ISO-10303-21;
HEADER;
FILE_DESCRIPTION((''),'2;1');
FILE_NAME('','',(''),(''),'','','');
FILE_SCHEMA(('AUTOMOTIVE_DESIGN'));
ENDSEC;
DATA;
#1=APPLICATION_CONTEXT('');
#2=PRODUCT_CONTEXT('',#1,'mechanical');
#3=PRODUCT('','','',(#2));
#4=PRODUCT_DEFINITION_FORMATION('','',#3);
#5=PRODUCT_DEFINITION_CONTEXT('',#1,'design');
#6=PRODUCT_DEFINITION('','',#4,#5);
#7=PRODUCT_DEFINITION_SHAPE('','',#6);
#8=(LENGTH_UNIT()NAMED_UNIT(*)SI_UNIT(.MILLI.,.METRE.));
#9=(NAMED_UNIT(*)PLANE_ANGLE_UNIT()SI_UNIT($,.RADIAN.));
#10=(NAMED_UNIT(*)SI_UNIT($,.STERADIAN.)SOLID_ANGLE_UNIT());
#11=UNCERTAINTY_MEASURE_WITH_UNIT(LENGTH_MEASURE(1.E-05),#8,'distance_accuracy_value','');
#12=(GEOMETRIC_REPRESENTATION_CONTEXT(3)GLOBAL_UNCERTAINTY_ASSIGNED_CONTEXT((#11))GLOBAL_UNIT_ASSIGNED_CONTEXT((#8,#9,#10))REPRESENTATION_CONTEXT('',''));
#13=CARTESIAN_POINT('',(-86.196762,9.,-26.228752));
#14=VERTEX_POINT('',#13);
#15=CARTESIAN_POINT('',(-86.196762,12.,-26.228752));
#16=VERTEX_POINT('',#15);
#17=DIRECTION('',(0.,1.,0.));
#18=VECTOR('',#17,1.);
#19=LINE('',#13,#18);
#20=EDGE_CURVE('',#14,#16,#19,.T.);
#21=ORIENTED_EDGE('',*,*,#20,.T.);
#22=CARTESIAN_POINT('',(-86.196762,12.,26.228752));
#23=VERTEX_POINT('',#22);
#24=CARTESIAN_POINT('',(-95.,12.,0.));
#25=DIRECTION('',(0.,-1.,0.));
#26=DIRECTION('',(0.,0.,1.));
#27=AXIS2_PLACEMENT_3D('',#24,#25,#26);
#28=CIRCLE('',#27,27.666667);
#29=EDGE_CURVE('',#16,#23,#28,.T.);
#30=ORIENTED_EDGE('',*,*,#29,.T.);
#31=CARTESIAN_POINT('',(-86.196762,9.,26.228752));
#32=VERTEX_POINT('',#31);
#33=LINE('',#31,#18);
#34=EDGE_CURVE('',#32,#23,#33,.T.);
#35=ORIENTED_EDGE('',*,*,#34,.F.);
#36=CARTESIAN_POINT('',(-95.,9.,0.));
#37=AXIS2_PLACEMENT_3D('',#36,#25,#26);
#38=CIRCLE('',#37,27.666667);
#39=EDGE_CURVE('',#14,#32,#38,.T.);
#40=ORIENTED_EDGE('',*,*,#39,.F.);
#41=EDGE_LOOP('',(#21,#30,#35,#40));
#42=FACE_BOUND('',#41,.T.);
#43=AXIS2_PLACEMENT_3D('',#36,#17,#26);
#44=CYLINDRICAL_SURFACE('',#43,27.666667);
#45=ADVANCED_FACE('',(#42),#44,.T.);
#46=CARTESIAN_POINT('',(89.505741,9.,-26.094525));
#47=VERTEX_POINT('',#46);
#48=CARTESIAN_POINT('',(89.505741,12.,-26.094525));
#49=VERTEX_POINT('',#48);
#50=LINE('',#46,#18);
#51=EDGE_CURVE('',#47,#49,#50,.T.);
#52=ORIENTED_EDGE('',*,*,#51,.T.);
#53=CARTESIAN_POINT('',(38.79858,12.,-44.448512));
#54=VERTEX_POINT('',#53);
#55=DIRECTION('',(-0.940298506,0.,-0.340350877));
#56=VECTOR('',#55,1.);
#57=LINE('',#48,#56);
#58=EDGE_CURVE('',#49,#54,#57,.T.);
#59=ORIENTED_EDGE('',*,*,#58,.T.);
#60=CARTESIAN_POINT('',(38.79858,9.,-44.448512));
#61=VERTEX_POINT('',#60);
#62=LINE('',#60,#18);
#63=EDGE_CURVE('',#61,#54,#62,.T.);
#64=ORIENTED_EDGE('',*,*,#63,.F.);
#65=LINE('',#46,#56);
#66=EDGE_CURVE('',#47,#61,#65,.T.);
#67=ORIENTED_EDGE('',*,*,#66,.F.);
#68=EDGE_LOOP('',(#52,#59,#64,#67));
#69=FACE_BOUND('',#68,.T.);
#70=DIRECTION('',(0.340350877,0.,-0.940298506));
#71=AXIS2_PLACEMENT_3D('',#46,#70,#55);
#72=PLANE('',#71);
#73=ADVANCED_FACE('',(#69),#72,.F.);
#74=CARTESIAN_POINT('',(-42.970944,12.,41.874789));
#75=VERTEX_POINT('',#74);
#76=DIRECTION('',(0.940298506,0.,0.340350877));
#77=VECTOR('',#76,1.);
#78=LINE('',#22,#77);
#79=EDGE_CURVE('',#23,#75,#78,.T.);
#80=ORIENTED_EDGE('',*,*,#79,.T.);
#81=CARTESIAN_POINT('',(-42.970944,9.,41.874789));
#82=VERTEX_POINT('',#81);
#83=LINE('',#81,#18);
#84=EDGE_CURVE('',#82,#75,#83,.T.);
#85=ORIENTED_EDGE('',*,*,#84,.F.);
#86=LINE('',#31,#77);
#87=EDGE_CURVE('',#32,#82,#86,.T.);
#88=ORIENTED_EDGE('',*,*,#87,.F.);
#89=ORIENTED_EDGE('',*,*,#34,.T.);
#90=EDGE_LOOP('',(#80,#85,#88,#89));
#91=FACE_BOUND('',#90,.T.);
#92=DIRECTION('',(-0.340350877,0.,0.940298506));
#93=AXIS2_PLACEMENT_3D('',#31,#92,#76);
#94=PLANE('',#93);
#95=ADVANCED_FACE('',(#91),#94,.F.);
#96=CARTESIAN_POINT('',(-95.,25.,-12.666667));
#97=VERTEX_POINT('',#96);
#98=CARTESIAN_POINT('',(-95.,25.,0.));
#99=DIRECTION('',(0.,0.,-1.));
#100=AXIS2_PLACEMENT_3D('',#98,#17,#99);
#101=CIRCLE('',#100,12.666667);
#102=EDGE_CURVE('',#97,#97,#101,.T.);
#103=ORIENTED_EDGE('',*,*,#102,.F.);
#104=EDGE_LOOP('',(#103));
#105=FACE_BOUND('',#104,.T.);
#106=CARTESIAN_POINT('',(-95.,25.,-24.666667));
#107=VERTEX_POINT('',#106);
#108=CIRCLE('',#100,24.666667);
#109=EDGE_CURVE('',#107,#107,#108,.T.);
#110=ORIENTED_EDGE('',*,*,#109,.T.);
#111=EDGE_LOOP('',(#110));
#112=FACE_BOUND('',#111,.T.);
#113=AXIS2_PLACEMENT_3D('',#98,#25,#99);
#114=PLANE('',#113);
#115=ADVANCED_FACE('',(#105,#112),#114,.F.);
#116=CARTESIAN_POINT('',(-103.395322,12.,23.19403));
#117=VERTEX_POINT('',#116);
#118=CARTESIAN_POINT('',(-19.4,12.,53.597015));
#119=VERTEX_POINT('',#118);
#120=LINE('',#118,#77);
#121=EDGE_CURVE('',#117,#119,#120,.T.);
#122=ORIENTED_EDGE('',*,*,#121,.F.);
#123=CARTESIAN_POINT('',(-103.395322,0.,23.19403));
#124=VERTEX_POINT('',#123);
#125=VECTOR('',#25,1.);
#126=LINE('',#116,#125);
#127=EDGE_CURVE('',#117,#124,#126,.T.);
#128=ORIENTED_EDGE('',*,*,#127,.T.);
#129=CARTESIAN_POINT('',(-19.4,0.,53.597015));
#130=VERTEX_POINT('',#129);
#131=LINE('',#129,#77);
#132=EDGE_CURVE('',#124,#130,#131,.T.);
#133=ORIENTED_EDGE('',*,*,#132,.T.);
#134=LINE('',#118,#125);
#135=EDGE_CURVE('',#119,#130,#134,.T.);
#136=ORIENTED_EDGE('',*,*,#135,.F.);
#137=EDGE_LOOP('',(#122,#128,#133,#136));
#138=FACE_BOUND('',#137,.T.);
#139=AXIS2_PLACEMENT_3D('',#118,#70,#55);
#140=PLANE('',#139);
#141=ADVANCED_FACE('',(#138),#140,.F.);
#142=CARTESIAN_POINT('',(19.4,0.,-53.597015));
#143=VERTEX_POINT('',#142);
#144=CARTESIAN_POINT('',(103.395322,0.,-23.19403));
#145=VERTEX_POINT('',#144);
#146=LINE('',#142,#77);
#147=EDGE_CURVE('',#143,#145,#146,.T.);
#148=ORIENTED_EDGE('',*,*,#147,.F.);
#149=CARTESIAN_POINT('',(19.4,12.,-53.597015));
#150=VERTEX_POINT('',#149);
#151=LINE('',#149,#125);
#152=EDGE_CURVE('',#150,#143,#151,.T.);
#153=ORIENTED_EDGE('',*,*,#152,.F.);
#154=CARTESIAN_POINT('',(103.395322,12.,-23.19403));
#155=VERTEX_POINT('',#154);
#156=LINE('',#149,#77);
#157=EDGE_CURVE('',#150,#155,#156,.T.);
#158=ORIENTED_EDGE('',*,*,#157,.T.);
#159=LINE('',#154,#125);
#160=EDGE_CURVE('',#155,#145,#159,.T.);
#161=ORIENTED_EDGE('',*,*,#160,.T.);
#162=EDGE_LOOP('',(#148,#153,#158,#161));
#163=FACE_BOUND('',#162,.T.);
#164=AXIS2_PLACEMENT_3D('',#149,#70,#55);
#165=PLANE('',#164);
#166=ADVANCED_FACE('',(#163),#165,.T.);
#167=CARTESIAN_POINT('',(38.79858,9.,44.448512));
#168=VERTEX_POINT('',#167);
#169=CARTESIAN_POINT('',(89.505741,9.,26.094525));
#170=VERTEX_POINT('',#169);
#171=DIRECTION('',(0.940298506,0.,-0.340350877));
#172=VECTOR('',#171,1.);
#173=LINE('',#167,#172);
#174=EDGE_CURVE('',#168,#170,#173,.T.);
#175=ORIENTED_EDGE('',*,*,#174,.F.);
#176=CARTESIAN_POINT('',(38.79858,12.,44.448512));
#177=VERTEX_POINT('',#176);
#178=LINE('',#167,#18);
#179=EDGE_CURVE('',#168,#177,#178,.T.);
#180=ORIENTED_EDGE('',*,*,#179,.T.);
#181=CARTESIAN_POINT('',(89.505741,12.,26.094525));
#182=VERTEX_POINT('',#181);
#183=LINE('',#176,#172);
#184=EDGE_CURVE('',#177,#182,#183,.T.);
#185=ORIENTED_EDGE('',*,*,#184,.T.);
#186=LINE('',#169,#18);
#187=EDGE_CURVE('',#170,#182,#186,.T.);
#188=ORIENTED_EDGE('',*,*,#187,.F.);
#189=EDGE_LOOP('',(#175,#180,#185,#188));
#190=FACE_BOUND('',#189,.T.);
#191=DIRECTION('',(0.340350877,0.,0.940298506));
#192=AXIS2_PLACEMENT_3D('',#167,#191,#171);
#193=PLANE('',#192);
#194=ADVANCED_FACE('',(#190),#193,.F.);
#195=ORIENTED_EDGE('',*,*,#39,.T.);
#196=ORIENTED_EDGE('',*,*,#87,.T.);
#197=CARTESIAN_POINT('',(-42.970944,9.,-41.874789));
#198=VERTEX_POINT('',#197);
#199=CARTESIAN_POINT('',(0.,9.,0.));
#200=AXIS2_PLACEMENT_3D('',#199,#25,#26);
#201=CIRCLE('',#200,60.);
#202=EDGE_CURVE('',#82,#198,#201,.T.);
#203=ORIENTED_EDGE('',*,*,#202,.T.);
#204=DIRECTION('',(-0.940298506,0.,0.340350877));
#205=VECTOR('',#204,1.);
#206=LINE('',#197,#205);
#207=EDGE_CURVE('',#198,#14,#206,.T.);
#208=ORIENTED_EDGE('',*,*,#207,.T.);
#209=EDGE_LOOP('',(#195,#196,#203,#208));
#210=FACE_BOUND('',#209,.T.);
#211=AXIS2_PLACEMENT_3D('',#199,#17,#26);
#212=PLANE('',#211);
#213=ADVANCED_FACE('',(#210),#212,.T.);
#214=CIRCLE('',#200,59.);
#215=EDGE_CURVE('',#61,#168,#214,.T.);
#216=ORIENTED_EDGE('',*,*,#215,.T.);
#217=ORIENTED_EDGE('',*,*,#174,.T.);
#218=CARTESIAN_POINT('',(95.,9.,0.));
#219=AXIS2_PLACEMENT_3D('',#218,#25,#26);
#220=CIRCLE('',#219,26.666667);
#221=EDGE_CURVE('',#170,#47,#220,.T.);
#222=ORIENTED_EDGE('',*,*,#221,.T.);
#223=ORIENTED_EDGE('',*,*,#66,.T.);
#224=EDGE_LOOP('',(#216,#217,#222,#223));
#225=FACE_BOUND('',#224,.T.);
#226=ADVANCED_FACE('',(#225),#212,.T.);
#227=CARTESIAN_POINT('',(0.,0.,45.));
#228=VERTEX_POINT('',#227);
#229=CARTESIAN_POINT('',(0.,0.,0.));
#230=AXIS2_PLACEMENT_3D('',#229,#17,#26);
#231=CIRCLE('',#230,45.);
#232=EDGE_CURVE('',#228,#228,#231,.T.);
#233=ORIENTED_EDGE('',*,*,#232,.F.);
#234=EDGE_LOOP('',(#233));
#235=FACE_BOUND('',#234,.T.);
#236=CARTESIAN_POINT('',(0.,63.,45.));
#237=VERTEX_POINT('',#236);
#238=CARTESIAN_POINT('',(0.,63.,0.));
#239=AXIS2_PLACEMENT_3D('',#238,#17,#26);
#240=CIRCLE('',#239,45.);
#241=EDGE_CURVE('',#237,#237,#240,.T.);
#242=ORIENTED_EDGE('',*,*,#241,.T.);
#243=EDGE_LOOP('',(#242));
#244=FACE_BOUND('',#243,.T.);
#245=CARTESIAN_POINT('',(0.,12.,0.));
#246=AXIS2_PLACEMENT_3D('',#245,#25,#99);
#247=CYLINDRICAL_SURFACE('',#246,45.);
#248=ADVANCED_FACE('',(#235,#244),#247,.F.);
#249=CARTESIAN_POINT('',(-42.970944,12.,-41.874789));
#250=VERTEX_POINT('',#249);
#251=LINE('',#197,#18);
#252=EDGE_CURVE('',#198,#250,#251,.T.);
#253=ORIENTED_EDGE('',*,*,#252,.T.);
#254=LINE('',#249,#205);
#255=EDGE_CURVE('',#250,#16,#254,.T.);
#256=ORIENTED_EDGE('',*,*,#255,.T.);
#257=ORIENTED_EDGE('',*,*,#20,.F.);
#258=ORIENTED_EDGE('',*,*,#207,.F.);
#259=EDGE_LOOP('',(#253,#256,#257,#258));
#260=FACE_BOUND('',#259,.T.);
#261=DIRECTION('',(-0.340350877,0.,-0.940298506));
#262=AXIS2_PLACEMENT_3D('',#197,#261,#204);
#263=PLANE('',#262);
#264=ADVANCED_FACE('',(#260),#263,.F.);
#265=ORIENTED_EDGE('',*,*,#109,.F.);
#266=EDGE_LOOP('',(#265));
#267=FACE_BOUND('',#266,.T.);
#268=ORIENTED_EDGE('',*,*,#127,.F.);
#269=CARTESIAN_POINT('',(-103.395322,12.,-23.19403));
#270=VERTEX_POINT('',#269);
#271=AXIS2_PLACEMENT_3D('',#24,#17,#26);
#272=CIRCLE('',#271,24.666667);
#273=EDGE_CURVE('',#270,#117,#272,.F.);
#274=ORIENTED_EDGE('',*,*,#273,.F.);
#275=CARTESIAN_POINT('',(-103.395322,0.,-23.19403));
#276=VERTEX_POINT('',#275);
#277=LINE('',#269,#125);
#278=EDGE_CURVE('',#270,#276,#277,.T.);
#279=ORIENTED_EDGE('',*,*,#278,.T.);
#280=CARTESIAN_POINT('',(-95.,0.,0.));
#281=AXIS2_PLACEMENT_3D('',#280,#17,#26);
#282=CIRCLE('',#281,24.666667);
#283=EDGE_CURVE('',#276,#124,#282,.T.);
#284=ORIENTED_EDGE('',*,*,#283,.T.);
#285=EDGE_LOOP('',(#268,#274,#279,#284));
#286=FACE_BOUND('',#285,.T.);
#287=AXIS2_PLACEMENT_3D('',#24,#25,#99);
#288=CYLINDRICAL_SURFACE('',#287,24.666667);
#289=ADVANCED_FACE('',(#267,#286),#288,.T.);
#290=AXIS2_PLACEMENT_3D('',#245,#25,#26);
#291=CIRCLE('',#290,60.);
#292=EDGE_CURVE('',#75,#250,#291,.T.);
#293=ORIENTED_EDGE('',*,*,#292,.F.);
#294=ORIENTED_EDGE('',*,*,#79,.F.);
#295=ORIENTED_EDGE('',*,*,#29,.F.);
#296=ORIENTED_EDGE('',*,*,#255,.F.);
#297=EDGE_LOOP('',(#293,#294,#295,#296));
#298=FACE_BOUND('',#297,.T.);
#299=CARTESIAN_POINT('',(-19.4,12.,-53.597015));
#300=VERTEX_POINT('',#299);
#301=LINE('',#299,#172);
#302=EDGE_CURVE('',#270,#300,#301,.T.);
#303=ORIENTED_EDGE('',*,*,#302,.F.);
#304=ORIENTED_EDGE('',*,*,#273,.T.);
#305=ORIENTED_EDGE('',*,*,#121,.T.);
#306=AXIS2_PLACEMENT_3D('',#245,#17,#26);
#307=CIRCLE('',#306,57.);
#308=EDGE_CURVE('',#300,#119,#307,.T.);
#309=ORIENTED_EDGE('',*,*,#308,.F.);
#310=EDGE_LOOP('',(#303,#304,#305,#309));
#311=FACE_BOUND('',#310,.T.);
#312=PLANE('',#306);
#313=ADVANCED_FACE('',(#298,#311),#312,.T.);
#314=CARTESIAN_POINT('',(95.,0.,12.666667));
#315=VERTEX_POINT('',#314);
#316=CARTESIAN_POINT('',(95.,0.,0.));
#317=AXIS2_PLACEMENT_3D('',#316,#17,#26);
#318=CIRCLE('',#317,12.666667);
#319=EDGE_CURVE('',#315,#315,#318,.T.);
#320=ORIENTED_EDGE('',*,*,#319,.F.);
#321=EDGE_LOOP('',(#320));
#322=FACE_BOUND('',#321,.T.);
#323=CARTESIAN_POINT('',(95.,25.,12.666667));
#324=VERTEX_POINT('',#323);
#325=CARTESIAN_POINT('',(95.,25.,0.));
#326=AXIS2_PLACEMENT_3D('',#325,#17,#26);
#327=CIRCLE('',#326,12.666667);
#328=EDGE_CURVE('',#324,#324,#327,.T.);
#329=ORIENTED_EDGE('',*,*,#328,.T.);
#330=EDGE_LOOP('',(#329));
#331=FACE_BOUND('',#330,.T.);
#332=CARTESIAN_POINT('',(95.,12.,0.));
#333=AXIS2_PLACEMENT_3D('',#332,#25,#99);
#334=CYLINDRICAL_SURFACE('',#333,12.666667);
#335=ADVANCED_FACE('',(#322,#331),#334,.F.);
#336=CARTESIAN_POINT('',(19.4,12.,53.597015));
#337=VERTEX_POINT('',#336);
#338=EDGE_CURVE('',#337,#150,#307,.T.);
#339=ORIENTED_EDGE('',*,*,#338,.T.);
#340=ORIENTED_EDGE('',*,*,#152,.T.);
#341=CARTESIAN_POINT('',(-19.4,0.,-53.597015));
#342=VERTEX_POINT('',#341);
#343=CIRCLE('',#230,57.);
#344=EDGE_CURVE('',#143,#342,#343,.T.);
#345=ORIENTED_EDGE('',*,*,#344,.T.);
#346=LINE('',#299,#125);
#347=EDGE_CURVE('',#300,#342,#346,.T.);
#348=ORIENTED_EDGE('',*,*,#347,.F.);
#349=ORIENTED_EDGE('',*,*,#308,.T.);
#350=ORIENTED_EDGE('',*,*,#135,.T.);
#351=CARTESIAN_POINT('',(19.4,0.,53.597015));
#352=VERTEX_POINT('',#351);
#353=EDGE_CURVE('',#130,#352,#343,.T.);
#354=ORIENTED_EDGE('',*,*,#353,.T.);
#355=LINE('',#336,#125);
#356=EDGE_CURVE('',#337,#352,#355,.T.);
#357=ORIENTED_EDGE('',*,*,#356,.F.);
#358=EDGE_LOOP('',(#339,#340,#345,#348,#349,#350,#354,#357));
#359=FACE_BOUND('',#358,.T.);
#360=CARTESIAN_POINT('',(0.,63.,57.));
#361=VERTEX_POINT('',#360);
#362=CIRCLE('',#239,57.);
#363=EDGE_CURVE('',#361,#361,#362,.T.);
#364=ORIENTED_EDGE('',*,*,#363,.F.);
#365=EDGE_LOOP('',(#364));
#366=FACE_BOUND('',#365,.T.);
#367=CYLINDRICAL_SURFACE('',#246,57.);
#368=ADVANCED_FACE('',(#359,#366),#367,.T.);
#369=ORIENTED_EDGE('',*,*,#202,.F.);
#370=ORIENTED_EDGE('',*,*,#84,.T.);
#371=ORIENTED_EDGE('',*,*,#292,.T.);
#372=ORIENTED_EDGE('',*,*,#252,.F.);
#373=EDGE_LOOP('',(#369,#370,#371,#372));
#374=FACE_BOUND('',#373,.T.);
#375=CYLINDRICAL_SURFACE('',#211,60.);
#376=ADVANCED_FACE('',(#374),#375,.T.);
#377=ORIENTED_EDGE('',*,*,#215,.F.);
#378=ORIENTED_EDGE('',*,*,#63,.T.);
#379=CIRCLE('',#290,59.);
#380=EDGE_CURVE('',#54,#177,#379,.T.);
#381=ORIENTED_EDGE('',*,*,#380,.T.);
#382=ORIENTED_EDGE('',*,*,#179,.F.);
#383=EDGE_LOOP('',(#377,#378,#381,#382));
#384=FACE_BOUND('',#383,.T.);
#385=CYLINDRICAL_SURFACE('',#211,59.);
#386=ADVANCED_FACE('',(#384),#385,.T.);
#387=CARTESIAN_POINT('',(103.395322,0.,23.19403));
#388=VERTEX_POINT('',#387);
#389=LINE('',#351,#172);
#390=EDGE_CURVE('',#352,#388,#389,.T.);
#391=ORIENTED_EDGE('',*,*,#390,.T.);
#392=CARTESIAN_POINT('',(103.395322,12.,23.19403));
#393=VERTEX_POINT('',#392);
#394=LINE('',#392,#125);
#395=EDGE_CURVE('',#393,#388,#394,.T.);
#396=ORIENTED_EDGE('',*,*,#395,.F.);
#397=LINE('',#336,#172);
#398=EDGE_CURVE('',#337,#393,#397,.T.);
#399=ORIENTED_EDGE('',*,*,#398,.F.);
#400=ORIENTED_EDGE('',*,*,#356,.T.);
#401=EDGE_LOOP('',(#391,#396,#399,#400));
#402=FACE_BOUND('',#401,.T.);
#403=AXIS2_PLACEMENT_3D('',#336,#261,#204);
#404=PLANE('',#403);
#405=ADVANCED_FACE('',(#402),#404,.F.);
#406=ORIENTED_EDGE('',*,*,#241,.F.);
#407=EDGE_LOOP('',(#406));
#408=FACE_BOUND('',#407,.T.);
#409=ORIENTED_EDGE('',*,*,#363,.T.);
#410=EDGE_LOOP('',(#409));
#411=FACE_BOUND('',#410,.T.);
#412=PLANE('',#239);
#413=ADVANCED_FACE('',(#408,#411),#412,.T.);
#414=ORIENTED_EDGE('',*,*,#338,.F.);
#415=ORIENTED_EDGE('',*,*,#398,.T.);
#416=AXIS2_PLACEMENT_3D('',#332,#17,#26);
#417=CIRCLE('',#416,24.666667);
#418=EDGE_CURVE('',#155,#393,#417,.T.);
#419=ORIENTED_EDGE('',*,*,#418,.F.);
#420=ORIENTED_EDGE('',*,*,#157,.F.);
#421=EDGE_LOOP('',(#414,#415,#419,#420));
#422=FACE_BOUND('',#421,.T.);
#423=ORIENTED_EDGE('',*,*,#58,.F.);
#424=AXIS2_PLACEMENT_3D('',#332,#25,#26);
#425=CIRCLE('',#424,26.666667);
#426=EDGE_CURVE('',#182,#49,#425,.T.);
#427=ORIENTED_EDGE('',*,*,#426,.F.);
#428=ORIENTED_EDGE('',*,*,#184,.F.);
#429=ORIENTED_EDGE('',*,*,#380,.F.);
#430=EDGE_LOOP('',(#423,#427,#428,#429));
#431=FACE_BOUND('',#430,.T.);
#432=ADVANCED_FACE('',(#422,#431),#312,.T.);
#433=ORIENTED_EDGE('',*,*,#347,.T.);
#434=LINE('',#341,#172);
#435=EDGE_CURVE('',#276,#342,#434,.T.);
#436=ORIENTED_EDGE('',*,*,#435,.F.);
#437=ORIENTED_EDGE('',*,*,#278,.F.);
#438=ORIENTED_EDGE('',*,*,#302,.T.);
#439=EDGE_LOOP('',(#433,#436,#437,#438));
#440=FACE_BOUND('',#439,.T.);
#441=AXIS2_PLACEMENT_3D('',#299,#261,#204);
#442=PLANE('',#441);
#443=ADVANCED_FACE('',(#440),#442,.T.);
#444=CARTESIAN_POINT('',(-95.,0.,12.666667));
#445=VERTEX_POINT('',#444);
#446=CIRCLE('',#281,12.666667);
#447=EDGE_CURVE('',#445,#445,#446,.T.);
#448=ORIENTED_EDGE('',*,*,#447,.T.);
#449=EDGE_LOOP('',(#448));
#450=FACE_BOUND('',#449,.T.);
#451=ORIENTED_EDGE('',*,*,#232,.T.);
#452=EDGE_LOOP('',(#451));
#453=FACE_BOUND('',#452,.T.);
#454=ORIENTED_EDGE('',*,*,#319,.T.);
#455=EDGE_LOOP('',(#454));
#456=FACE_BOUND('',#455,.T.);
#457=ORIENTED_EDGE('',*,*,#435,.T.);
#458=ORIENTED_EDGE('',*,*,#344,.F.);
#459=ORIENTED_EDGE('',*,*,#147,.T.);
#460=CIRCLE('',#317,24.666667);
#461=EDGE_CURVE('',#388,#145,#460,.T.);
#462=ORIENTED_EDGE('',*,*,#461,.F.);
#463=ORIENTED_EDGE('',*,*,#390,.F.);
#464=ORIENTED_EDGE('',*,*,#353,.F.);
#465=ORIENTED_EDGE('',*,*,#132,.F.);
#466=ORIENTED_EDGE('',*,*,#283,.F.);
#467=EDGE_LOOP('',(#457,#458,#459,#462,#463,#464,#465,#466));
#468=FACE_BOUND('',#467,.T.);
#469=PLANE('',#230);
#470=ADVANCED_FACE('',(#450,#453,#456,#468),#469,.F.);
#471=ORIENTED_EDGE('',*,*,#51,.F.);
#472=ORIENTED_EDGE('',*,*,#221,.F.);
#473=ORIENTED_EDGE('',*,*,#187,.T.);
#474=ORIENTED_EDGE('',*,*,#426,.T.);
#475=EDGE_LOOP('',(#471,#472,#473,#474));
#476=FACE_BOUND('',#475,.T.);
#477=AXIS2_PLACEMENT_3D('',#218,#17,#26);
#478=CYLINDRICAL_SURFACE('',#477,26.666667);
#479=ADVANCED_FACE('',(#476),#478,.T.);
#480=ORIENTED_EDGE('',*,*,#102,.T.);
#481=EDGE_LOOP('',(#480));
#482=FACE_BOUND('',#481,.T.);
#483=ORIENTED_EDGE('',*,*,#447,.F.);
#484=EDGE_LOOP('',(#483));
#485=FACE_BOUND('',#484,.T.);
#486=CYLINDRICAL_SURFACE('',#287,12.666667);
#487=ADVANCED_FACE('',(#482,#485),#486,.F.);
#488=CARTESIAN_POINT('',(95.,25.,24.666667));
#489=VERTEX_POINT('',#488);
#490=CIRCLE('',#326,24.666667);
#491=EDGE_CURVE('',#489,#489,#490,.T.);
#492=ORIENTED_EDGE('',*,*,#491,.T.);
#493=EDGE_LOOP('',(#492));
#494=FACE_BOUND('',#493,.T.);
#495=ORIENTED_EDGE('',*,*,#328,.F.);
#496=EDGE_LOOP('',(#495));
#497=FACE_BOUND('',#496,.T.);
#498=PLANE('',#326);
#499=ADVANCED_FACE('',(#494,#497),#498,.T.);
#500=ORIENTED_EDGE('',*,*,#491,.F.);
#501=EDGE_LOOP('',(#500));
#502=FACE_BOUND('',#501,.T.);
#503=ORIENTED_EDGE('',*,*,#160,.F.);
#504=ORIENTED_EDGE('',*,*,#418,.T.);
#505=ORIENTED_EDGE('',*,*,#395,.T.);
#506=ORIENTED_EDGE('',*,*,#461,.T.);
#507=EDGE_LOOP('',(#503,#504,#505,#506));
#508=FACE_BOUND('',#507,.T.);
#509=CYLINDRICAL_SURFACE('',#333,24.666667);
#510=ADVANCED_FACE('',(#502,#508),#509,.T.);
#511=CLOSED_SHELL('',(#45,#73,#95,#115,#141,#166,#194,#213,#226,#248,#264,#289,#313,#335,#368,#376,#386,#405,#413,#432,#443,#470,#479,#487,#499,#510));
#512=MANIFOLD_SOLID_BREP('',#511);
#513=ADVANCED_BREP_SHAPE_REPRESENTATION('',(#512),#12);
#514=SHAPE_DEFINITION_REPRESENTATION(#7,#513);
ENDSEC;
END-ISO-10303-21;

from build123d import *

# Parameters (mm, degrees)
SKETCH1_R           = 12.666666667
SKETCH1_R_2         = 45
BOSS_EXTRUDE1_DEPTH = 12
SKETCH2_R           = 57
SKETCH2_R_2         = 45
BOSS_EXTRUDE2_DEPTH = 51
SKETCH3_R           = 24.666666667
SKETCH3_R_2         = 12.666666667
BOSS_EXTRUDE3_DEPTH = 13
CUT_EXTRUDE1_DEPTH  = 3


with BuildPart() as part:
    # Sketch1 → Boss-Extrude1 (new body)
    with BuildSketch(Plane(origin=(0, 0, 0), x_dir=(1, 0, 0), z_dir=(0, 1, 0))):
        with BuildLine():
            Line((-19.4, 53.597014842), (-103.395321637, 23.194029815))
            ThreePointArc((-103.395321637, 23.194029815), (-119.666666667, 0), (-103.395321637, -23.194029815))
            Line((-103.395321637, -23.194029815), (-19.4, -53.597014842))
            ThreePointArc((-19.4, -53.597014842), (0, -57), (19.4, -53.597014842))
            Line((19.4, -53.597014842), (103.395321637, -23.194029815))
            ThreePointArc((103.395321637, -23.194029815), (119.666666667, 0), (103.395321637, 23.194029815))
            Line((103.395321637, 23.194029815), (19.4, 53.597014842))
            ThreePointArc((19.4, 53.597014842), (0, 57), (-19.4, 53.597014842))
        make_face()
        with Locations((-95, 0)):
            Circle(SKETCH1_R, mode=Mode.SUBTRACT)
        Circle(SKETCH1_R_2, mode=Mode.SUBTRACT)
        with Locations((95, 0)):
            Circle(SKETCH1_R, mode=Mode.SUBTRACT)
    extrude(amount=BOSS_EXTRUDE1_DEPTH)

    # Sketch2 → Boss-Extrude2 (add)
    with BuildSketch(Plane(origin=(0, 12, 0), x_dir=(1, 0, 0), z_dir=(0, 1, 0))):
        Circle(SKETCH2_R)
        Circle(SKETCH2_R_2, mode=Mode.SUBTRACT)
    extrude(amount=BOSS_EXTRUDE2_DEPTH)

    # Sketch3 → Boss-Extrude3 (add)
    with BuildSketch(Plane(origin=(0, 12, 0), x_dir=(1, 0, 0), z_dir=(0, 1, 0))):
        with Locations((95, 0)):
            Circle(SKETCH3_R)
        with Locations((95, 0)):
            Circle(SKETCH3_R_2, mode=Mode.SUBTRACT)
        with Locations((-95, 0)):
            Circle(SKETCH3_R)
        with Locations((-95, 0)):
            Circle(SKETCH3_R_2, mode=Mode.SUBTRACT)
    extrude(amount=BOSS_EXTRUDE3_DEPTH)

    # Sketch4 → Cut-Extrude1 (cut)
    with BuildSketch(Plane(origin=(0, 12, 0), x_dir=(1, 0, 0), z_dir=(0, 1, 0))):
        with BuildLine():
            Line((-42.970944355, 41.87478885), (-86.196761812, 26.228752198))
            ThreePointArc((-86.196761812, 26.228752198), (-67.333333333, 0), (-86.196761812, -26.228752198))
            Line((-86.196761812, -26.228752198), (-42.970944355, -41.87478885))
            ThreePointArc((-42.970944355, -41.87478885), (-60, 0), (-42.970944355, 41.87478885))
        make_face()
        with BuildLine():
            Line((38.798579703, -44.448511932), (89.505740572, -26.094524798))
            ThreePointArc((89.505740572, -26.094524798), (68.333333333, 0), (89.505740572, 26.094524798))
            Line((89.505740572, 26.094524798), (38.798579703, 44.448511932))
            ThreePointArc((38.798579703, 44.448511932), (59, 0), (38.798579703, -44.448511932))
        make_face()
    extrude(amount=-CUT_EXTRUDE1_DEPTH, mode=Mode.SUBTRACT)


solid = part.part
